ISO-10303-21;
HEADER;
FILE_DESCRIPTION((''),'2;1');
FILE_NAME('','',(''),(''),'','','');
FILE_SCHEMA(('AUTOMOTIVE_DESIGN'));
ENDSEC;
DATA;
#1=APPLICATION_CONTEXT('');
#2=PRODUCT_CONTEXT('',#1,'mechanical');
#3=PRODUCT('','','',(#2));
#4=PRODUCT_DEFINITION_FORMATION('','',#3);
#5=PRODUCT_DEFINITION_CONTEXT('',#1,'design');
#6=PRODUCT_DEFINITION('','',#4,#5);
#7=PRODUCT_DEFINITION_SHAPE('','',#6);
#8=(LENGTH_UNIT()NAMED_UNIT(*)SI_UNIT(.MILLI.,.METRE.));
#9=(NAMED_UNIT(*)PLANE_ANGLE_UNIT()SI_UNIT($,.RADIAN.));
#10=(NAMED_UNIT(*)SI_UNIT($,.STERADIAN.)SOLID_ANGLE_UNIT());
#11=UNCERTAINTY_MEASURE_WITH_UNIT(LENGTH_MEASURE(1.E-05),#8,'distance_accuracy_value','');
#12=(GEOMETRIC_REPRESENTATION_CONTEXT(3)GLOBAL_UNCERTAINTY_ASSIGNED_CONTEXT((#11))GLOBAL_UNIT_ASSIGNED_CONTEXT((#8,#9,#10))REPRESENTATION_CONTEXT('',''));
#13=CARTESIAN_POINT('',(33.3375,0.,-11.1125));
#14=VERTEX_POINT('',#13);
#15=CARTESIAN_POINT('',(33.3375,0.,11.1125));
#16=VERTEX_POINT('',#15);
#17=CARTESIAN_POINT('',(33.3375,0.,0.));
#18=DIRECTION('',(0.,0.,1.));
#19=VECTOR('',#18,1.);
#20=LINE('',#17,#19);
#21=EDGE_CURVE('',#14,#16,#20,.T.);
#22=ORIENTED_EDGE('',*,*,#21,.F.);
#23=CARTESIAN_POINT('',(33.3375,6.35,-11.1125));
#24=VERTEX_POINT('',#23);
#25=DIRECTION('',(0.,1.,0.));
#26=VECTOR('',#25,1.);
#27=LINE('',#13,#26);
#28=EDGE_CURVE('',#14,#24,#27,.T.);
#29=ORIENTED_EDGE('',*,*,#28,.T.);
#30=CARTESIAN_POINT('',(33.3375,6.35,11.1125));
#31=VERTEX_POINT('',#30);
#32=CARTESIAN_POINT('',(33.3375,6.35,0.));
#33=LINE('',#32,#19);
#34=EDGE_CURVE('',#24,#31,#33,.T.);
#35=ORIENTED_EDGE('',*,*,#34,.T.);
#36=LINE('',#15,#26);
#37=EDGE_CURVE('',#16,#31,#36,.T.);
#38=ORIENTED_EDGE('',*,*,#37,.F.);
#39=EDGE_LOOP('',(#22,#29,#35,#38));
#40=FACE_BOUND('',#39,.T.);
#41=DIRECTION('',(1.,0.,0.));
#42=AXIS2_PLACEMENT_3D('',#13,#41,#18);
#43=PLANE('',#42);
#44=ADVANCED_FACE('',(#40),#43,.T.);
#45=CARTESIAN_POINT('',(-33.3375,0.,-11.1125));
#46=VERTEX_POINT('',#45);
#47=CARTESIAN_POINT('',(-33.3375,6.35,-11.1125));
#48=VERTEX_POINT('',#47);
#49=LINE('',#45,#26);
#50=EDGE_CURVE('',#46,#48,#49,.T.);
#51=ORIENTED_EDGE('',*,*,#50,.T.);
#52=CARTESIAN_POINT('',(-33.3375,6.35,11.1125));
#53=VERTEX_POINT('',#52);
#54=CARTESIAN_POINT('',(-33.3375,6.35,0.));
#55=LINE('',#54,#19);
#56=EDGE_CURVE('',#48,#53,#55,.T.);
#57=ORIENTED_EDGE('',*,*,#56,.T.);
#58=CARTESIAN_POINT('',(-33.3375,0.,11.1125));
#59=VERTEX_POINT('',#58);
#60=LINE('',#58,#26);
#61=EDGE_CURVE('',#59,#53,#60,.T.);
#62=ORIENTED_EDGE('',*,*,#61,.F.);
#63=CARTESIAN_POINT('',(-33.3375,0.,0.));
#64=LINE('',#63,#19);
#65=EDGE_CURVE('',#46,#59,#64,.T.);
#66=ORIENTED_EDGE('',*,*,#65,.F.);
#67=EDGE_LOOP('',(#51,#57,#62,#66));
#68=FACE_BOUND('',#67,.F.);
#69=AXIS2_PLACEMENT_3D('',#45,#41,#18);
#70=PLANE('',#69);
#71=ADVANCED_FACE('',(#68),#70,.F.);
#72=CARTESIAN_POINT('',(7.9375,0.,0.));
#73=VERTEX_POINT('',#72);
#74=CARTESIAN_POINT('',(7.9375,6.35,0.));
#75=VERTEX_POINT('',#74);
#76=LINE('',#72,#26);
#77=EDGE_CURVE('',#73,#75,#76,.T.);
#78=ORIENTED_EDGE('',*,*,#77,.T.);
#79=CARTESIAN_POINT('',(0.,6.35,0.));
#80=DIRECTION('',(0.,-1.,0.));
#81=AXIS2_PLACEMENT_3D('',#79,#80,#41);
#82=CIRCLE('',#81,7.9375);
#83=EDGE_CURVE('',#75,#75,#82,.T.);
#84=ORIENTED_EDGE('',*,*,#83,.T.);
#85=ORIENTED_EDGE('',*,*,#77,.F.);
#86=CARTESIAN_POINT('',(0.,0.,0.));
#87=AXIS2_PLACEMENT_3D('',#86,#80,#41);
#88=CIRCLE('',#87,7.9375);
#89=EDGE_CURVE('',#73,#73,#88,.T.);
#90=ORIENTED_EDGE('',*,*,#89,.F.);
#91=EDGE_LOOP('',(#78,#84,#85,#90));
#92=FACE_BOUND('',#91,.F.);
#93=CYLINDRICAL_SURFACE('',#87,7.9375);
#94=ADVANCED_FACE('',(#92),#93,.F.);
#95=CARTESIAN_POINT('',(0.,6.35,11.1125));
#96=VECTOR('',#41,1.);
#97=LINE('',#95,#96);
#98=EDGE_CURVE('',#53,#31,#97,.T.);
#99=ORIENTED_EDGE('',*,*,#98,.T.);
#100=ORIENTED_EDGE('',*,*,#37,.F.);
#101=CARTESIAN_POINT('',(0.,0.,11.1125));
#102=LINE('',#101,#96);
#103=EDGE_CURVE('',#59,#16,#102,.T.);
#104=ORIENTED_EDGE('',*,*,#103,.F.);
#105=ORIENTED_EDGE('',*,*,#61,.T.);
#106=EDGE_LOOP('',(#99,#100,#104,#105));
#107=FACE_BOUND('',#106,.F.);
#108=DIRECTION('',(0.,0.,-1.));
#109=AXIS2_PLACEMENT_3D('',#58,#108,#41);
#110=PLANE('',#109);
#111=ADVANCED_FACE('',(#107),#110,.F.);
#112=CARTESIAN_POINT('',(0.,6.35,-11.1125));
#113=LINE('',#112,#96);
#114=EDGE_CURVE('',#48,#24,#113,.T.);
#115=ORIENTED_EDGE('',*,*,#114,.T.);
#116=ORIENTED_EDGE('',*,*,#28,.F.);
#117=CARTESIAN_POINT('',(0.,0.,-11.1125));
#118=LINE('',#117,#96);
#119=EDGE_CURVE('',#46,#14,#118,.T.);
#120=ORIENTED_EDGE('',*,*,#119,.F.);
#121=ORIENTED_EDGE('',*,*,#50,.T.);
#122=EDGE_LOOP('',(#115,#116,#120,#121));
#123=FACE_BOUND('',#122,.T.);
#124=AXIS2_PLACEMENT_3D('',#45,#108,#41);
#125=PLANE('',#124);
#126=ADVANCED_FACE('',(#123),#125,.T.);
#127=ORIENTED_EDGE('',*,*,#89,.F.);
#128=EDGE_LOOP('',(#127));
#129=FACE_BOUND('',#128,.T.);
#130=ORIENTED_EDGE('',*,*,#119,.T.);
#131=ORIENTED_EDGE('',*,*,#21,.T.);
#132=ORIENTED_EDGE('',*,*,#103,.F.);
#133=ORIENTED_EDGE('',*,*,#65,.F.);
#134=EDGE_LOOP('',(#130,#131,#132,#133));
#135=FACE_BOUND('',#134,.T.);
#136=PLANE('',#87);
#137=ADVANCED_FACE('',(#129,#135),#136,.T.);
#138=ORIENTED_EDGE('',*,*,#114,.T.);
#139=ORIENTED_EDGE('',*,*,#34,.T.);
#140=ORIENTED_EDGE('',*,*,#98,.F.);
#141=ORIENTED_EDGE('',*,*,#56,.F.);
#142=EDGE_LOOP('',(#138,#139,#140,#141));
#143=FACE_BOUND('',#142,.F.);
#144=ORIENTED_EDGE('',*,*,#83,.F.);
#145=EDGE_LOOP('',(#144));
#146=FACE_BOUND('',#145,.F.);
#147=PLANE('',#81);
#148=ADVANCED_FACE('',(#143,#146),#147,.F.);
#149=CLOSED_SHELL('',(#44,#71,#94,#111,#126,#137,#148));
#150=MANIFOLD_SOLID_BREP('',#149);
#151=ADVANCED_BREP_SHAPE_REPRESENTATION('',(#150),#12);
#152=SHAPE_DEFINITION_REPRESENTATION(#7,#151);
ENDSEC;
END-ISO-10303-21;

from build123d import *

# Parameters (mm, degrees)
F0_W     = 66.675
F0_H     = 22.225
F0_R     = 7.9375
F1_DEPTH = 6.35


with BuildPart() as f1:
    # F0 (on Front) → F1 (new body)
    with BuildSketch(Plane.XZ):
        Rectangle(F0_W, F0_H)
        Circle(F0_R, mode=Mode.SUBTRACT)
    extrude(amount=-F1_DEPTH)


solid = f1.part
